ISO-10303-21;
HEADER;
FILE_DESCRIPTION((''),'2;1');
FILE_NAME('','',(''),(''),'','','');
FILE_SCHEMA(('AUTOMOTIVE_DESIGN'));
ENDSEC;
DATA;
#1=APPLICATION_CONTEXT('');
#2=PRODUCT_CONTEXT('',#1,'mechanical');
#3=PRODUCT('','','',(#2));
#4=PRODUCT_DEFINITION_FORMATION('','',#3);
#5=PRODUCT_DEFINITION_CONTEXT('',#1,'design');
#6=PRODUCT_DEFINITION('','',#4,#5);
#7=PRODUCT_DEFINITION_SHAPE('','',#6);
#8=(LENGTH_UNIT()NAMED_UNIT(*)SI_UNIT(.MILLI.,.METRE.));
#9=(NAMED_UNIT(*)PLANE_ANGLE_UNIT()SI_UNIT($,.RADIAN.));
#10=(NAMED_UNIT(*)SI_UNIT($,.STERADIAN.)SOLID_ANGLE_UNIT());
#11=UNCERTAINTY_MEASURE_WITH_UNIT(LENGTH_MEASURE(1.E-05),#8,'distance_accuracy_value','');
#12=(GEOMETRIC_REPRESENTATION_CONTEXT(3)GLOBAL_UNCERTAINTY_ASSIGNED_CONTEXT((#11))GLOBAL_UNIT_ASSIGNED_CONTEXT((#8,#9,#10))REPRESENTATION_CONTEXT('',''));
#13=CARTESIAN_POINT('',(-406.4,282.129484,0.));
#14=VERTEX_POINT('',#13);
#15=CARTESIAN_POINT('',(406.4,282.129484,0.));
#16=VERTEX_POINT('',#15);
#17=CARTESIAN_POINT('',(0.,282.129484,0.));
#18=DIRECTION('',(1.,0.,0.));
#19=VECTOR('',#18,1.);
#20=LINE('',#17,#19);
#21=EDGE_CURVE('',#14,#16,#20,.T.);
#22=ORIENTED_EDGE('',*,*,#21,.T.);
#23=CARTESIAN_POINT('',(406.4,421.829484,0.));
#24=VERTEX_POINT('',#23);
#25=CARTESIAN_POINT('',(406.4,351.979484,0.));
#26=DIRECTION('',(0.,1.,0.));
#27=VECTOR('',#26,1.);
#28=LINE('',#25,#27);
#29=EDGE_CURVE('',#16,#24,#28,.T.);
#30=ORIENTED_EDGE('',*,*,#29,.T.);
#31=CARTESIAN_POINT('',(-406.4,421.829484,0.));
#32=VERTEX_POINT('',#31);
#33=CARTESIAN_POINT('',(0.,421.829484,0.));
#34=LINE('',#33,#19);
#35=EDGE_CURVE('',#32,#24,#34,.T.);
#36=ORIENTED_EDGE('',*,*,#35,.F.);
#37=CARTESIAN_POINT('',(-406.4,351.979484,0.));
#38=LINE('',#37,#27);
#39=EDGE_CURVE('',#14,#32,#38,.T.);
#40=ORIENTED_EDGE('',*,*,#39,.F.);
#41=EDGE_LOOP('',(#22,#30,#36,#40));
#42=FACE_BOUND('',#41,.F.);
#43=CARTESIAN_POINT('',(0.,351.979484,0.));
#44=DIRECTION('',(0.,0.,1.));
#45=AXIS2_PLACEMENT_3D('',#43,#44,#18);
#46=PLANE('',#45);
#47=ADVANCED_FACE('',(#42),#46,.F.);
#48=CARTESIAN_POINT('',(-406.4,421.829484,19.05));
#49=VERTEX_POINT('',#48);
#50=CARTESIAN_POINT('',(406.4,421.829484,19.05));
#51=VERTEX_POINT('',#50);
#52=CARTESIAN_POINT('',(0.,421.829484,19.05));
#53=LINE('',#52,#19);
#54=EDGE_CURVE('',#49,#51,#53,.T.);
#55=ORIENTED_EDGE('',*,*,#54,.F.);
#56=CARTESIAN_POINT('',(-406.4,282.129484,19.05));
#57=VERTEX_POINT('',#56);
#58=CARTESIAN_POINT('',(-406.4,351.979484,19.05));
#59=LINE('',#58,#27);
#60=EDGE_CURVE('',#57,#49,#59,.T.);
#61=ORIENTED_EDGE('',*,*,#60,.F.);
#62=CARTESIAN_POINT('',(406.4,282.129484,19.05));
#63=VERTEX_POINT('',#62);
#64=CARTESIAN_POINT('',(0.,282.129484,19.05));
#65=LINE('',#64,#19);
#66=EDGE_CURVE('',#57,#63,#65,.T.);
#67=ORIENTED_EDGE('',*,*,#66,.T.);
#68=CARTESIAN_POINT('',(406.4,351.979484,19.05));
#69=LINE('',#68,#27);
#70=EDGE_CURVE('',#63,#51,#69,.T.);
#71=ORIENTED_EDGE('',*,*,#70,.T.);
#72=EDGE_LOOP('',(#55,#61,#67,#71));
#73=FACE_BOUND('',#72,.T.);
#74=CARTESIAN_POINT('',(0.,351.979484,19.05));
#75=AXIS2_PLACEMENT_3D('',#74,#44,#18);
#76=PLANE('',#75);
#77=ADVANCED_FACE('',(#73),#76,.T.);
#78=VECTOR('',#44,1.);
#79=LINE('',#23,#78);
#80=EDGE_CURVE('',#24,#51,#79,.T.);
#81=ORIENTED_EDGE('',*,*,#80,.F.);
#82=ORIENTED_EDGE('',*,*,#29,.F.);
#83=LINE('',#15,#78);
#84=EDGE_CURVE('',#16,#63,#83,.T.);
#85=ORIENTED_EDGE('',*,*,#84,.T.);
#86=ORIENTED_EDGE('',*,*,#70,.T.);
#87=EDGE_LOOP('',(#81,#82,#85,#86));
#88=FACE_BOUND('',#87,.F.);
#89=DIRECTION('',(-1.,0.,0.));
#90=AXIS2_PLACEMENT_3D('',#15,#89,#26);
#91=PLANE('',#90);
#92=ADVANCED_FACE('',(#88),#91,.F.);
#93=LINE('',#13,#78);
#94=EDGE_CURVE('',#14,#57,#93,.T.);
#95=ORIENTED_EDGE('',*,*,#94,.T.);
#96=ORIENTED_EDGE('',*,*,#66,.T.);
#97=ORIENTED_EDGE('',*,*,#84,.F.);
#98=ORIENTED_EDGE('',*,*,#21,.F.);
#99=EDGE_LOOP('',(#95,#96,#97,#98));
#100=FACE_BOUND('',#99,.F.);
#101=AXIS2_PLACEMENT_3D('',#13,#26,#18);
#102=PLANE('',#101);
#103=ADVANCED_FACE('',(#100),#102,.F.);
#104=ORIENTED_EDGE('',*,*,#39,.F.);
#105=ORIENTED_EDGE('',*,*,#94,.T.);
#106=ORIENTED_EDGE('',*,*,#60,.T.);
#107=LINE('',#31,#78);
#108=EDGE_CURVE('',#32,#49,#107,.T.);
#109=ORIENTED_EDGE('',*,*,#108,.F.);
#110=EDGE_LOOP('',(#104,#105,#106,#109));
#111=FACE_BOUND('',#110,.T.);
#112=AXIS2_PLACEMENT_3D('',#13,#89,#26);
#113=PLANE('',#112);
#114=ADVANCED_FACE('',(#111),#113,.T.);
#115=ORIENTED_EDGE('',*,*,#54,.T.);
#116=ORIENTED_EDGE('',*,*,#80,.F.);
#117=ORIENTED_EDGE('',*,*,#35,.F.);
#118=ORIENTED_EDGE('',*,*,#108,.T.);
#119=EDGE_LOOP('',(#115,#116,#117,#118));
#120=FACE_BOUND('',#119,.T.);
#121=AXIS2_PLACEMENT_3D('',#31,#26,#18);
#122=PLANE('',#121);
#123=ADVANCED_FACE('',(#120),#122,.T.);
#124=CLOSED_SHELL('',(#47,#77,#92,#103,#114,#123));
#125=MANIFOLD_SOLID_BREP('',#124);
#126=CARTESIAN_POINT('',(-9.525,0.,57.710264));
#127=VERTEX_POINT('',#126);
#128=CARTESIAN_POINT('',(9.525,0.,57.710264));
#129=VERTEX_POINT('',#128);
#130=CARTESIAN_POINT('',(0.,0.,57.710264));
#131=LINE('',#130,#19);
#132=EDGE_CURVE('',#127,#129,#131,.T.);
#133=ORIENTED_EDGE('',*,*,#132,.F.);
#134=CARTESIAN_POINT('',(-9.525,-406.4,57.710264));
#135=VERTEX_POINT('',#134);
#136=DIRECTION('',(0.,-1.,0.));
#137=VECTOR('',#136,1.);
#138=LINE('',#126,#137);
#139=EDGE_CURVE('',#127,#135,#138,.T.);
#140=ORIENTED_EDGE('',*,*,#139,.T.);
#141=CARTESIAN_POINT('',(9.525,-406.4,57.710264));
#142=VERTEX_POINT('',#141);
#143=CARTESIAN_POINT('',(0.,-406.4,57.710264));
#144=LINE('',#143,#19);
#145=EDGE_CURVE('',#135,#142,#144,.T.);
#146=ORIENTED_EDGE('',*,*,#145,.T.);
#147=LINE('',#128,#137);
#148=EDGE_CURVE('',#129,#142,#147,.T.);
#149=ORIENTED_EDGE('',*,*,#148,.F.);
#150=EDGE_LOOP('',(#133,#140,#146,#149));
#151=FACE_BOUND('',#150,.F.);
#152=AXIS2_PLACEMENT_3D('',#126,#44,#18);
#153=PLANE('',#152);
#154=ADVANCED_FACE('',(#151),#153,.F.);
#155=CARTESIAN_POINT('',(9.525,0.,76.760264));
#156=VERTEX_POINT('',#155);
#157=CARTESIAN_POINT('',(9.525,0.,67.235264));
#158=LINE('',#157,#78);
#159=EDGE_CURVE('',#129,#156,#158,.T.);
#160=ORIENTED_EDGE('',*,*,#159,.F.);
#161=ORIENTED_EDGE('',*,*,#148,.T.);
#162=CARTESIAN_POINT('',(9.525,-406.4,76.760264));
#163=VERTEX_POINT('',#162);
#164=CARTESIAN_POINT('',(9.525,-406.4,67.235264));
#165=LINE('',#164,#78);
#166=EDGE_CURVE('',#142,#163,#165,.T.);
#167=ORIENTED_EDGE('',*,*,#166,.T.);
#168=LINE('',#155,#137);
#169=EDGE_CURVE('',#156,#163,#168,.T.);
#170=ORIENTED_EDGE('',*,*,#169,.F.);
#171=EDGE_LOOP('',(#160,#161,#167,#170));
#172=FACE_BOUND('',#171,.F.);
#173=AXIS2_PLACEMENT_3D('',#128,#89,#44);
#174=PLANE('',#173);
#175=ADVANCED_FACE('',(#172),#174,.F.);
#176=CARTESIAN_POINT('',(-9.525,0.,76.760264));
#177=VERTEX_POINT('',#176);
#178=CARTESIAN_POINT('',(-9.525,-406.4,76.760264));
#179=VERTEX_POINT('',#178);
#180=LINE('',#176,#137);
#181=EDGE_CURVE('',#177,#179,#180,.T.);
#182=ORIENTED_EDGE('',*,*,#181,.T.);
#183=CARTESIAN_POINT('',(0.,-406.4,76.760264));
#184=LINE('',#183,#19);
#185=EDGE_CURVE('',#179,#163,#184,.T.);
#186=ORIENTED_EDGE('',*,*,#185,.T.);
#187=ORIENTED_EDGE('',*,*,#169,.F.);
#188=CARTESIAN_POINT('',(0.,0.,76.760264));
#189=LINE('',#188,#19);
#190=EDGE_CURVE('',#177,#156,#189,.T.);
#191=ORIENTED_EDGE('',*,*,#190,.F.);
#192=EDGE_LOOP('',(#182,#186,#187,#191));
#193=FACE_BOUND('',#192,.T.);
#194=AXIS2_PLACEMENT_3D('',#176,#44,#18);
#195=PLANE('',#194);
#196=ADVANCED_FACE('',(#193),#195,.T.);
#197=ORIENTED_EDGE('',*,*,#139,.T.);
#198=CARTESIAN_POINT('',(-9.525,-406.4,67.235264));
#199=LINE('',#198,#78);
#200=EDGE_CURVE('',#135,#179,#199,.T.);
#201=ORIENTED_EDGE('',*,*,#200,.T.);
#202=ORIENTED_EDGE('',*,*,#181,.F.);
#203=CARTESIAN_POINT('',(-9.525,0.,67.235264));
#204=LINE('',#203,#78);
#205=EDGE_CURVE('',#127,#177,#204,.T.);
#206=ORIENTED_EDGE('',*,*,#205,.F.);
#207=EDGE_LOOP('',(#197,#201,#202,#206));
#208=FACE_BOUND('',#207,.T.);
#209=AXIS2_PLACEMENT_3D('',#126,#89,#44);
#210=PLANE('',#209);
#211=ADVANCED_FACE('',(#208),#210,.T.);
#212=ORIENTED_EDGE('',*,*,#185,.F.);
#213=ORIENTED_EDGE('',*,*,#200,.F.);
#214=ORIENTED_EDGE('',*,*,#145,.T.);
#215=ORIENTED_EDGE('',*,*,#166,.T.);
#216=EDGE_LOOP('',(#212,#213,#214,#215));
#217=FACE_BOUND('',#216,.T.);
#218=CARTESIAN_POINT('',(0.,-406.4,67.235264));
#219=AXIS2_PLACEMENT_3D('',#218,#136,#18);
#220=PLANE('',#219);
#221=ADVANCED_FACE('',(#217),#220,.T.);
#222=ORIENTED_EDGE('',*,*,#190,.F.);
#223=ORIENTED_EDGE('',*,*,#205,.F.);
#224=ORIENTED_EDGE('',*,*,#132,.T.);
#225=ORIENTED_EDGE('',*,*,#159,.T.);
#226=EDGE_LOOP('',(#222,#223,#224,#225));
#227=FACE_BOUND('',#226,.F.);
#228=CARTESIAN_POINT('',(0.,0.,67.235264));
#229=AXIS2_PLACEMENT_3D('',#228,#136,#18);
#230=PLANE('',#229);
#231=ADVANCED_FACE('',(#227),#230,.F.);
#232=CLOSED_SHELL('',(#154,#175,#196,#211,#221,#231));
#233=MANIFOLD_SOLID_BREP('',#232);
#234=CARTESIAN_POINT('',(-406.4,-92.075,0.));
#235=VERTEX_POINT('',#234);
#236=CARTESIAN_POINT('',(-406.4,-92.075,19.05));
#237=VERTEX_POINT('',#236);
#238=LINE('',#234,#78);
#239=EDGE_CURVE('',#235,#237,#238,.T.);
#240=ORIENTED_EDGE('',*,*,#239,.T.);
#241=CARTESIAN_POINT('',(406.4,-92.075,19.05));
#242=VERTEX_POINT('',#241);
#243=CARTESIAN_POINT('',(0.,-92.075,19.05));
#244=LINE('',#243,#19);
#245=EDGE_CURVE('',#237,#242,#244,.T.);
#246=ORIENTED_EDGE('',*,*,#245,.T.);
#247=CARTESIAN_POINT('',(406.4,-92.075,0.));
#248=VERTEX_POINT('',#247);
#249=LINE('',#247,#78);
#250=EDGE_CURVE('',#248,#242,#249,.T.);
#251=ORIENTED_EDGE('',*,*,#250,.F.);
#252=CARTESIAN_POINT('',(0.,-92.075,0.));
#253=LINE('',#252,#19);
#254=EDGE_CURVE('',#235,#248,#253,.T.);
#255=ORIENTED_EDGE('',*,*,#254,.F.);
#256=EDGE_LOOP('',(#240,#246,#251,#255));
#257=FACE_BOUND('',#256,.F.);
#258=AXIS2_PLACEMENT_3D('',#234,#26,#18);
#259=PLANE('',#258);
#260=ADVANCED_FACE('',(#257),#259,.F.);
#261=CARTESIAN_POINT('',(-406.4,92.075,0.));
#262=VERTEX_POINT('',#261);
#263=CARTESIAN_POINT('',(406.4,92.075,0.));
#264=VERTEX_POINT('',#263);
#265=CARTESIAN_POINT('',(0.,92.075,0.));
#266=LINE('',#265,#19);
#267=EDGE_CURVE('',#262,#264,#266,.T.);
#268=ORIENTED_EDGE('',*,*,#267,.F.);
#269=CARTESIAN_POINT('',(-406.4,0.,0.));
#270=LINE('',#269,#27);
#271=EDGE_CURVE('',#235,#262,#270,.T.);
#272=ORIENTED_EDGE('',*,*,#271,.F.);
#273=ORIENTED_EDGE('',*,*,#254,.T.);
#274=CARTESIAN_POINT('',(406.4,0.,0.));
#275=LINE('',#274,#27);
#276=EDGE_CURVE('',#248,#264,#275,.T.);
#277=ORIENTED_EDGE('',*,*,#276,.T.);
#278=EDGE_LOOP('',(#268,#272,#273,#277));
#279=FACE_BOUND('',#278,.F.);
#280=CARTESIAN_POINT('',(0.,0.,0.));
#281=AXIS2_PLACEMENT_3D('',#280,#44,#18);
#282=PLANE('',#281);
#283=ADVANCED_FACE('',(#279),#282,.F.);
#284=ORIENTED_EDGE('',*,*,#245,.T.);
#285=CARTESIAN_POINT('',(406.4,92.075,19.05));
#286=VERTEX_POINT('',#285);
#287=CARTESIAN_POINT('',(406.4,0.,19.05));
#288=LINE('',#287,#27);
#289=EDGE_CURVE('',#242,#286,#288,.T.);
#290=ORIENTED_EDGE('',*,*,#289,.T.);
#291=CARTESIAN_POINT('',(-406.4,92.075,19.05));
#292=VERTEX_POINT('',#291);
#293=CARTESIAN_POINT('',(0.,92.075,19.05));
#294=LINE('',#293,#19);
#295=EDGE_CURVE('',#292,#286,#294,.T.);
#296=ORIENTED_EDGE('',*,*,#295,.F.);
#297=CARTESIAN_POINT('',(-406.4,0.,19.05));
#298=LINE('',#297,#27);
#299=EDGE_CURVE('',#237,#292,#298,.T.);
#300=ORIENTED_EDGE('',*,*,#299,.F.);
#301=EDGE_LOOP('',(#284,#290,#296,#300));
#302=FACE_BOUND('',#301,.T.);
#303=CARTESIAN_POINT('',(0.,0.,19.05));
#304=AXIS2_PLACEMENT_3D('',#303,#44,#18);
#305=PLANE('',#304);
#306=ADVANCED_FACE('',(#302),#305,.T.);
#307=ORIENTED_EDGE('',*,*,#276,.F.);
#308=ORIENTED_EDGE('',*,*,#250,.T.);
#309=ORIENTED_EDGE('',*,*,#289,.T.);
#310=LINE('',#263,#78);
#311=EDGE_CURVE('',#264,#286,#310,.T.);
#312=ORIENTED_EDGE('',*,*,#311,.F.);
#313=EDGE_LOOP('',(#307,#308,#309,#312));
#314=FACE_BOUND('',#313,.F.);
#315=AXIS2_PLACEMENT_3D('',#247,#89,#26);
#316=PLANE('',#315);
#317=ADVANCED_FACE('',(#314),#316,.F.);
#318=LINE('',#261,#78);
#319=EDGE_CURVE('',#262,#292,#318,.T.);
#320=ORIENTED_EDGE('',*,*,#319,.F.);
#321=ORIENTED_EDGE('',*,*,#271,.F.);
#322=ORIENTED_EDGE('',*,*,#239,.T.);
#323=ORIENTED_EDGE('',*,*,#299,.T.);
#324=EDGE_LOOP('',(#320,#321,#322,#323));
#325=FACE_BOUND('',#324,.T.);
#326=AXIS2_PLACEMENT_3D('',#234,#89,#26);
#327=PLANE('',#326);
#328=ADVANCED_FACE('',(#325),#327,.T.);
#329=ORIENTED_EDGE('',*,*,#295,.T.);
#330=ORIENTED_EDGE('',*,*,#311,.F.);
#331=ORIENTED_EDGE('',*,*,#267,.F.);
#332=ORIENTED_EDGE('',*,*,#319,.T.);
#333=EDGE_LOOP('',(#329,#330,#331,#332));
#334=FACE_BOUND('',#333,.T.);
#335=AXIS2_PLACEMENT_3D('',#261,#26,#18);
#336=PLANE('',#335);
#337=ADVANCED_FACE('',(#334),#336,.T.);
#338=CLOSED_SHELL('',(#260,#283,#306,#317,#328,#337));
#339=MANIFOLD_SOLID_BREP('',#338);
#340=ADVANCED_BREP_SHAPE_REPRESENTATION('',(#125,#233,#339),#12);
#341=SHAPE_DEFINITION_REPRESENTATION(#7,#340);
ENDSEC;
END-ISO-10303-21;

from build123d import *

# Parameters (mm, degrees)
F0_W     = 812.8
F0_H     = 184.15
F1_DEPTH = 19.05
F2_W     = 19.05
F2_H     = 19.05
F3_DEPTH = 406.4
F4_W     = 812.8
F4_H     = 139.7
F5_DEPTH = 19.05


with BuildPart() as f1:
    # F0 (on Top) → F1 (new body)
    with BuildSketch(Plane.XY):
        Rectangle(F0_W, F0_H)
    extrude(amount=F1_DEPTH)


with BuildPart() as f3:
    # F2 (on Front) → F3 (new body)
    with BuildSketch(Plane.XZ):
        with Locations((0, 67.235264)):
            Rectangle(F2_W, F2_H)
    extrude(amount=F3_DEPTH)


with BuildPart() as f5:
    # F4 (on Top) → F5 (new body)
    with BuildSketch(Plane.XY):
        with Locations((0, 351.979484)):
            Rectangle(F4_W, F4_H)
    extrude(amount=F5_DEPTH)


solid = Compound([f1.part, f3.part, f5.part])
